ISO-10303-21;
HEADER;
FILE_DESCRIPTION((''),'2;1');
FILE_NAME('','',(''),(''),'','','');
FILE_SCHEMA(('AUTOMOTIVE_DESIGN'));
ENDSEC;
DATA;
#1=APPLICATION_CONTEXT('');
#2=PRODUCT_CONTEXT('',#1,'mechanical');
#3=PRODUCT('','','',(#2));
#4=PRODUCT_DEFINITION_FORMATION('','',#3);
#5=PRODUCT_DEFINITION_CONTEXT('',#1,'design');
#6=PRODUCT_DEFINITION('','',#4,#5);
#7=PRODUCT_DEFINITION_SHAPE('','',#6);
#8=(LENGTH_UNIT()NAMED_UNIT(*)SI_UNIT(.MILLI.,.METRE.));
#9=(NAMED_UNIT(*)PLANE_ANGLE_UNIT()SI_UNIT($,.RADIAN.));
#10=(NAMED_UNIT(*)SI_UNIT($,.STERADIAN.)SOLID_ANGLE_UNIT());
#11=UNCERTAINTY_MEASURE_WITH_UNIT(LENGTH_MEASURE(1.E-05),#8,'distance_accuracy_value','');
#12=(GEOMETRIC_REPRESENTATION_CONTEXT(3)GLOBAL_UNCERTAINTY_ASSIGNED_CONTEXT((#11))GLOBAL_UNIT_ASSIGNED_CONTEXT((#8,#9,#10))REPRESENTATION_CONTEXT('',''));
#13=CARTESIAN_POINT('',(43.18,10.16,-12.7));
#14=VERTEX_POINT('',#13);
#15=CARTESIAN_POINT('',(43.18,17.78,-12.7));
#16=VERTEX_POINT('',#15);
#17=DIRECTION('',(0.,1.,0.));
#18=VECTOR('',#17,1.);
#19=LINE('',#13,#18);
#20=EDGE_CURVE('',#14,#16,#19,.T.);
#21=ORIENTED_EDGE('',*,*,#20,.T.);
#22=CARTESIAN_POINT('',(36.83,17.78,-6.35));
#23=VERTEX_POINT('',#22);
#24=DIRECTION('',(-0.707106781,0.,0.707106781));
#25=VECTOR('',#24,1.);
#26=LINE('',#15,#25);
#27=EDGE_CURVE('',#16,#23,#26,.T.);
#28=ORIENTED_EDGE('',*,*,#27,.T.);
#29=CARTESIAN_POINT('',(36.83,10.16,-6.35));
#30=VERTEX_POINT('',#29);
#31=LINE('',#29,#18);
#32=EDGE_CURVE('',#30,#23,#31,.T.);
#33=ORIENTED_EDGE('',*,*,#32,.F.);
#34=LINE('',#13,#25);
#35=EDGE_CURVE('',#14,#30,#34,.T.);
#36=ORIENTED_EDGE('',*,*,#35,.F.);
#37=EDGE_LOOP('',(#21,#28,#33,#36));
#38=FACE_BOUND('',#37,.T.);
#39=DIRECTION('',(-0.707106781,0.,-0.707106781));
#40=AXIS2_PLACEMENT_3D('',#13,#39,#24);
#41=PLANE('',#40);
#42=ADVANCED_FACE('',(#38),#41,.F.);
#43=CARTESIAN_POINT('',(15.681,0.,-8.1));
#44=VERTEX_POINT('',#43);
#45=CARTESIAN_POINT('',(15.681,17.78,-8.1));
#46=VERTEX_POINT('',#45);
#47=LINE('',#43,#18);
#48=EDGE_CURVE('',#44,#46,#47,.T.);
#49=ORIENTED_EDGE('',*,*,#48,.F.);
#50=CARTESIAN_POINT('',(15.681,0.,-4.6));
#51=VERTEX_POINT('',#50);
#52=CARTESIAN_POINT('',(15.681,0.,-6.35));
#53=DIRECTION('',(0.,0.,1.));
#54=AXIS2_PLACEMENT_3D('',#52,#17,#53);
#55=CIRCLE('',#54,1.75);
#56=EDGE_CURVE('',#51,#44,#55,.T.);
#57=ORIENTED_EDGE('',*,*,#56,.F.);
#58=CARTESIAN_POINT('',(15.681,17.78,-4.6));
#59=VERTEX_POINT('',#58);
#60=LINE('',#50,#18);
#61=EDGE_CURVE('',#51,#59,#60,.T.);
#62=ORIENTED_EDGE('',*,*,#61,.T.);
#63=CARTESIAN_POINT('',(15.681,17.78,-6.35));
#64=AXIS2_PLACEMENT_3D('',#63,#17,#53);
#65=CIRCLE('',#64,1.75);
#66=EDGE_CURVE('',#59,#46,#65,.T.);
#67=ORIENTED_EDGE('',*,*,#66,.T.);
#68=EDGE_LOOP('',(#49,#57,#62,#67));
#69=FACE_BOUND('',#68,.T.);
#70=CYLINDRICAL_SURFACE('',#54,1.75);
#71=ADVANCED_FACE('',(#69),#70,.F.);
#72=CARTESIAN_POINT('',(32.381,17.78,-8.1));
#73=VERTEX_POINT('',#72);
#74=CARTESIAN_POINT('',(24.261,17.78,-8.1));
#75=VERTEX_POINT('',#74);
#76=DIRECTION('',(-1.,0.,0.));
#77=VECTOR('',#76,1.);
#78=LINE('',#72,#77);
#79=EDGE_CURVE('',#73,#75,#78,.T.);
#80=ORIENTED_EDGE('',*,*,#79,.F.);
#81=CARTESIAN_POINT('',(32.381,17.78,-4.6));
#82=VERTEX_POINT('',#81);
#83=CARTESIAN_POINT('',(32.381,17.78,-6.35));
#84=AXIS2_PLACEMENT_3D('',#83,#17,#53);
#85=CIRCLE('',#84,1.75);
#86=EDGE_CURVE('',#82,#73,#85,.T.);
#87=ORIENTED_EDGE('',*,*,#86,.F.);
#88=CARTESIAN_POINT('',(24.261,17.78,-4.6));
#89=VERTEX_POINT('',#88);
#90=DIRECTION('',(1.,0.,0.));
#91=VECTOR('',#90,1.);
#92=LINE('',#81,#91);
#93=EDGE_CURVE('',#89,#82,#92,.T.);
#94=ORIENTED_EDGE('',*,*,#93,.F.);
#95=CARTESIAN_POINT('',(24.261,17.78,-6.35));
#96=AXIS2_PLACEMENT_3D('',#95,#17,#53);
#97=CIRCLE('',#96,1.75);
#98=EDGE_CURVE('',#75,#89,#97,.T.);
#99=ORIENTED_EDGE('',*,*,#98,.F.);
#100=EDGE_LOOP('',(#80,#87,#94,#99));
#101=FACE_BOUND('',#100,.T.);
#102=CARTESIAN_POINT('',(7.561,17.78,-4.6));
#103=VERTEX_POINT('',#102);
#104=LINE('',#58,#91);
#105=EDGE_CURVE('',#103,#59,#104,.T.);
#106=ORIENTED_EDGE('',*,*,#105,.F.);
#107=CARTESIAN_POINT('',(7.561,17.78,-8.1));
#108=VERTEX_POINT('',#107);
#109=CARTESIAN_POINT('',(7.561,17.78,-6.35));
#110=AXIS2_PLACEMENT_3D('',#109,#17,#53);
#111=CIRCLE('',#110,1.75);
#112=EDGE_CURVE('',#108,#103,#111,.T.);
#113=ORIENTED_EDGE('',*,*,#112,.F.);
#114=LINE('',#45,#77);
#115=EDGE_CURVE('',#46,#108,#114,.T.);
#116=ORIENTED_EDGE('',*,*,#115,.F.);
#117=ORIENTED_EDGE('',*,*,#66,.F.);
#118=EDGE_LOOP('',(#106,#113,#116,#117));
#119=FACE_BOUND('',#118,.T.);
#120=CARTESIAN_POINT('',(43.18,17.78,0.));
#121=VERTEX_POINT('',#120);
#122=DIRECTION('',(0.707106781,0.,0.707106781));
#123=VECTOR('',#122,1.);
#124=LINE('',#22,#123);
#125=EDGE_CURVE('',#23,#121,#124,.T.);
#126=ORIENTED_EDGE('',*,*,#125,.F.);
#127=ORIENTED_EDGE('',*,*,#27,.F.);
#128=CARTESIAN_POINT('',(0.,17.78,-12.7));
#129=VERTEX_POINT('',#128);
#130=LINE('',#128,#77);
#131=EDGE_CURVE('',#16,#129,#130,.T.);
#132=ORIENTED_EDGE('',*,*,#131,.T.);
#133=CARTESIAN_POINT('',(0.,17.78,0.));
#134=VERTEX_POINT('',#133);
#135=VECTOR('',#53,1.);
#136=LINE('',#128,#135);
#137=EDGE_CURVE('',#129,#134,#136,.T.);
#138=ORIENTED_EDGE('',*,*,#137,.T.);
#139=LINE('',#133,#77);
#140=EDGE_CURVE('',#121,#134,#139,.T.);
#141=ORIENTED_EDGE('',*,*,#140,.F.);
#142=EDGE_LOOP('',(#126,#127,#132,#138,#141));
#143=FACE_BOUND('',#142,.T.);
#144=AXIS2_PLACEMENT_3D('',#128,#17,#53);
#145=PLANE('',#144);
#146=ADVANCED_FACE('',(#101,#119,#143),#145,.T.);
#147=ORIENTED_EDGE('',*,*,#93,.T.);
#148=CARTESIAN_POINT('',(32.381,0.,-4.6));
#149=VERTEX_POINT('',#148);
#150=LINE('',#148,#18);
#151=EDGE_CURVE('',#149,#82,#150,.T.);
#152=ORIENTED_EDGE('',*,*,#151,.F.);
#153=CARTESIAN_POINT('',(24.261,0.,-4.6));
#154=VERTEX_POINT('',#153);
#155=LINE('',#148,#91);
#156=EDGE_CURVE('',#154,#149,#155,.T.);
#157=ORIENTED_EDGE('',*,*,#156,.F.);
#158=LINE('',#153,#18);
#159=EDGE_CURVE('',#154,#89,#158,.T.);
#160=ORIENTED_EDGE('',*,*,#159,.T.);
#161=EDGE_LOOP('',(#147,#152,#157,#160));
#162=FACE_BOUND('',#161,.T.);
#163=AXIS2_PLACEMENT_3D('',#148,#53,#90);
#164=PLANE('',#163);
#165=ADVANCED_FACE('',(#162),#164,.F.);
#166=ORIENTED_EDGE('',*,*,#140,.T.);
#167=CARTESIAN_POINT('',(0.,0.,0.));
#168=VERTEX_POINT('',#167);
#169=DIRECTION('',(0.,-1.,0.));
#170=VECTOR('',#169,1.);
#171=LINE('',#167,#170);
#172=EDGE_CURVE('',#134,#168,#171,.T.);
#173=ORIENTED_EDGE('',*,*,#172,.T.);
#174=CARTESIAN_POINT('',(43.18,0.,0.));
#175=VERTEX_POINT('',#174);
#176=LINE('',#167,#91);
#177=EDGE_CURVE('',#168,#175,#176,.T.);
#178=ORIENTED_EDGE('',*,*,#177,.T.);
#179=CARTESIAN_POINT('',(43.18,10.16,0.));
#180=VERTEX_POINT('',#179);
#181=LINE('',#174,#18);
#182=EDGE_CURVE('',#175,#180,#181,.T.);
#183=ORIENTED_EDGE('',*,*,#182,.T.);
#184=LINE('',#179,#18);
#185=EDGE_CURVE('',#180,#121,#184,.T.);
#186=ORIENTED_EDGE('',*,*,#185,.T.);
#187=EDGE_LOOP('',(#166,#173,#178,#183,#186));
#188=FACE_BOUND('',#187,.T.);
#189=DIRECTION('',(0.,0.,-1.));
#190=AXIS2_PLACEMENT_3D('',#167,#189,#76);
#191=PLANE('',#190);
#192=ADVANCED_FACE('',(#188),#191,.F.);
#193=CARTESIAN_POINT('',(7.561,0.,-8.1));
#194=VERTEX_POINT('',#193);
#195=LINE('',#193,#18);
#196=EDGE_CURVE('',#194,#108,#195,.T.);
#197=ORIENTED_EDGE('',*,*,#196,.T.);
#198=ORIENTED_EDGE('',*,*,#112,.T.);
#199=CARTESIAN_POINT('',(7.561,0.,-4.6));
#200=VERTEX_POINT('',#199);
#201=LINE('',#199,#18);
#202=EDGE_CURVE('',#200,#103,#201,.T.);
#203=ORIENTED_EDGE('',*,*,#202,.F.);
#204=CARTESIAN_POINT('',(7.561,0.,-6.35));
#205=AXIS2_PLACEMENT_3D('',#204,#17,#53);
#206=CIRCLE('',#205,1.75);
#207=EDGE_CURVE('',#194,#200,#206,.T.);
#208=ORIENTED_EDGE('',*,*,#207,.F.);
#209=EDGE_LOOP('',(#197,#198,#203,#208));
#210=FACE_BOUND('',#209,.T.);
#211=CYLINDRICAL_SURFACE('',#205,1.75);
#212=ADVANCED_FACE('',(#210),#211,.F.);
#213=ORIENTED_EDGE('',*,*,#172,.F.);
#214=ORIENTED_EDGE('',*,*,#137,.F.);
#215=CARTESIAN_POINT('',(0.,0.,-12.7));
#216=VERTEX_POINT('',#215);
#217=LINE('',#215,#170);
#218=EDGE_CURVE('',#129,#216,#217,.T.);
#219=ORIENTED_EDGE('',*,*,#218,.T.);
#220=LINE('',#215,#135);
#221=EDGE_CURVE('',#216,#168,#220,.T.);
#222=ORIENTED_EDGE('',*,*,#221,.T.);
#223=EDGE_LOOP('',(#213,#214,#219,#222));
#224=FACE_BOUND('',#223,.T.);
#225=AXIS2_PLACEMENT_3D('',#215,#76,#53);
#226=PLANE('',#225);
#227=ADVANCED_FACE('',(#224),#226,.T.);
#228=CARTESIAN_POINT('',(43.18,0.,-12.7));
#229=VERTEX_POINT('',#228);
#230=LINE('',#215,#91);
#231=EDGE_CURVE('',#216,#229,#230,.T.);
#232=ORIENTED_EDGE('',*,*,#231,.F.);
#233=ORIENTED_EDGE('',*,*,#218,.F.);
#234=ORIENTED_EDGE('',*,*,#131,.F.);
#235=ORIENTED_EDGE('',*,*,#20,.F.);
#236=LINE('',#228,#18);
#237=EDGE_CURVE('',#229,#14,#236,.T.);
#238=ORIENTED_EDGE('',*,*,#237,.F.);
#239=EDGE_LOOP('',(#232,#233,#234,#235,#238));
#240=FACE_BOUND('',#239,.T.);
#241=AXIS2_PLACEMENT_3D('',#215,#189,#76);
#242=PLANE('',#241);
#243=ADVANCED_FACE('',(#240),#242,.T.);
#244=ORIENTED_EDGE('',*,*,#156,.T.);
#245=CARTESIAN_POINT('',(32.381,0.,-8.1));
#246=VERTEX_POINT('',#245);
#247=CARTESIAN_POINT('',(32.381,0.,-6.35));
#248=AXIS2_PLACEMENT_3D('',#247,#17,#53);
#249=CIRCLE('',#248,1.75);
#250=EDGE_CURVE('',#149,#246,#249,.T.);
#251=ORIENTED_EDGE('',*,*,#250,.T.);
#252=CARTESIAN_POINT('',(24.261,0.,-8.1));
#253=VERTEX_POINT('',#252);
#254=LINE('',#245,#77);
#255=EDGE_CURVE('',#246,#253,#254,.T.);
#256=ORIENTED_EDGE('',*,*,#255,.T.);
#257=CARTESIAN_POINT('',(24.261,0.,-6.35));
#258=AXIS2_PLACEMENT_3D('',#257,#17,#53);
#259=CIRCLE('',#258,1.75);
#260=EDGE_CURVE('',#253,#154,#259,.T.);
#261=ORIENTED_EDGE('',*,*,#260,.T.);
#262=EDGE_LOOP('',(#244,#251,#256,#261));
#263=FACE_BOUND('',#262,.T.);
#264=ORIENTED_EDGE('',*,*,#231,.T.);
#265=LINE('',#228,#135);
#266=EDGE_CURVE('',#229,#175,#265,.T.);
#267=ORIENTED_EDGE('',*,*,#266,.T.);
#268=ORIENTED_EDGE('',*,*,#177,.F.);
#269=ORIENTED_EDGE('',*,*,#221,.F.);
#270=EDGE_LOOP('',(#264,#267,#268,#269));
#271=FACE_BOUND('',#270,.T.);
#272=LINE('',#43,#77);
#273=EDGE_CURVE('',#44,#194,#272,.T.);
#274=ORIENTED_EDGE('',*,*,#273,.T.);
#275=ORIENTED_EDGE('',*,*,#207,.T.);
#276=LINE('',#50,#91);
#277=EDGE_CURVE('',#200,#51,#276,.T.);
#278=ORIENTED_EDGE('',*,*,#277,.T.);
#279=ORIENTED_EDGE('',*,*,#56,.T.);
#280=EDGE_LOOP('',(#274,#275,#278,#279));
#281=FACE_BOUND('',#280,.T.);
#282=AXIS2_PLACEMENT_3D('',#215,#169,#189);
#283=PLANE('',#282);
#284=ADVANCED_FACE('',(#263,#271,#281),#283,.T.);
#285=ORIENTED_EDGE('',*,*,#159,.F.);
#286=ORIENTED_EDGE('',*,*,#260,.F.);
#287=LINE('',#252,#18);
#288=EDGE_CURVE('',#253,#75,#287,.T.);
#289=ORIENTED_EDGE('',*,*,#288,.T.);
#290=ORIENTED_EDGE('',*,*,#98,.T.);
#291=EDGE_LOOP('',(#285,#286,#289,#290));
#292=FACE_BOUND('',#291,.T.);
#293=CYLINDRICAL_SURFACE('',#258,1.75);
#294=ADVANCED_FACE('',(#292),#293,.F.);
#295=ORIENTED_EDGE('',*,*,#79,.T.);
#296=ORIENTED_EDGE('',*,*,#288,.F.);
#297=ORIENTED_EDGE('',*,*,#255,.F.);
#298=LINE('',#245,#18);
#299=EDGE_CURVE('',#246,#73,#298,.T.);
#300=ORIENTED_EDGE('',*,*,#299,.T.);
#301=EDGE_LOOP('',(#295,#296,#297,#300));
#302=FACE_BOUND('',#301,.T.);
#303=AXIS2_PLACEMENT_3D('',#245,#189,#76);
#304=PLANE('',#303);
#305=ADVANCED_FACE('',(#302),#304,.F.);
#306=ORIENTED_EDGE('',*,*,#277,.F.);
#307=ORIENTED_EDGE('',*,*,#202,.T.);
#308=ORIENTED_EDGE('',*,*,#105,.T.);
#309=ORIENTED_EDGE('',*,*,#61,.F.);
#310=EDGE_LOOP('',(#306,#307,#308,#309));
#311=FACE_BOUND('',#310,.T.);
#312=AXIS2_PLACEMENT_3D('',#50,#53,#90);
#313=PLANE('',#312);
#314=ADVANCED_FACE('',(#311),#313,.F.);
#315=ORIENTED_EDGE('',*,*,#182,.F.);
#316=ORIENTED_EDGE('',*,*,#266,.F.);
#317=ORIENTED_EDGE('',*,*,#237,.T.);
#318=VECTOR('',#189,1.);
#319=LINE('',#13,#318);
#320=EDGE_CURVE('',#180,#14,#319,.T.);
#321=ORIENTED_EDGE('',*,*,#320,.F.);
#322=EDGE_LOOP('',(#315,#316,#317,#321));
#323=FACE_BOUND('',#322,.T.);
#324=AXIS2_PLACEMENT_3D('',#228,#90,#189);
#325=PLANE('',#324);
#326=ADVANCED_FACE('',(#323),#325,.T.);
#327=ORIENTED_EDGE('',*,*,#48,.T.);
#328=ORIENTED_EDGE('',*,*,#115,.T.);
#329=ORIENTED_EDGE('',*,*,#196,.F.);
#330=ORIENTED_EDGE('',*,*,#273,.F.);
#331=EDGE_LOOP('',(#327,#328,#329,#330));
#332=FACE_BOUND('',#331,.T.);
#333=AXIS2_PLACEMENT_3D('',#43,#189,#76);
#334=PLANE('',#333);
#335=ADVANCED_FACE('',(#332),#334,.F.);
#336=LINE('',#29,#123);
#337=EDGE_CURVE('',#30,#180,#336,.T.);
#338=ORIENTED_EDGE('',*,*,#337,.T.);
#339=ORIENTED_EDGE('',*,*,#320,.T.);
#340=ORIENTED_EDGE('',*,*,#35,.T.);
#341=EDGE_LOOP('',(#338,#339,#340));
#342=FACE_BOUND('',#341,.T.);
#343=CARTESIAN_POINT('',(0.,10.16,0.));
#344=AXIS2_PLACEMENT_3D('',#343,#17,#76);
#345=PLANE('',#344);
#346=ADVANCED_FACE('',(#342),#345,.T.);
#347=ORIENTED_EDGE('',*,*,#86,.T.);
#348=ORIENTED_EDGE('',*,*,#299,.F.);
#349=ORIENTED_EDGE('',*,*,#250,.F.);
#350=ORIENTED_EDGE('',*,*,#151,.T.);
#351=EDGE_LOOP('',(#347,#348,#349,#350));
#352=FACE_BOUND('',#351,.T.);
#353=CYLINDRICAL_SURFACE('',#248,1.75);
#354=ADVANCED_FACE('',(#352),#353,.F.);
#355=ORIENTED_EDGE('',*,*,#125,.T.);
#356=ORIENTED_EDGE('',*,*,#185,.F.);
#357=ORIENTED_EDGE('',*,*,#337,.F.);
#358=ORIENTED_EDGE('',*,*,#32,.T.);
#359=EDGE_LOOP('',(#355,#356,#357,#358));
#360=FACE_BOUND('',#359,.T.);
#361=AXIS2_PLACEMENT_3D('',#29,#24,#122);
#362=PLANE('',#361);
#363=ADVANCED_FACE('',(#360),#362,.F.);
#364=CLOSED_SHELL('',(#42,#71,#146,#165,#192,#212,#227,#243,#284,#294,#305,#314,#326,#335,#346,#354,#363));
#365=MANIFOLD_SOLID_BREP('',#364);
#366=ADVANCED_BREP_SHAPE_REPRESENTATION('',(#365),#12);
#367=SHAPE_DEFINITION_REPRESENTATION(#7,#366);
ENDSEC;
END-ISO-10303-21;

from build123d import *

# Parameters (mm, degrees)
SKETCH1_W           = 43.18
SKETCH1_H           = 17.78
BOSS_EXTRUDE1_DEPTH = 12.7
CUT_EXTRUDE1_DEPTH  = 7.62
CUT_EXTRUDE2_DEPTH  = 18.78


with BuildPart() as part:
    # Sketch1 → Boss-Extrude1 (new body)
    with BuildSketch(Plane.XY):
        with Locations((21.59, 8.89)):
            Rectangle(SKETCH1_W, SKETCH1_H)
    extrude(amount=-BOSS_EXTRUDE1_DEPTH)

    # Sketch3 → Cut-Extrude1 (cut)
    with BuildSketch(Plane(origin=(0, 17.78, 0), x_dir=(1, 0, 0), z_dir=(0, 1, 0))):
        Polygon((43.18, 12.7), (36.83, 6.35), (43.18, 0), align=None)
    extrude(amount=-CUT_EXTRUDE1_DEPTH, mode=Mode.SUBTRACT)

    # Sketch4 → Cut-Extrude2 (cut, through all)
    with BuildSketch(Plane(origin=(0, 17.78, 0), x_dir=(1, 0, 0), z_dir=(0, 1, 0))):
        with BuildLine():
            Line((32.381000008, 4.599999944), (24.260999992, 4.599999944))
            ThreePointArc((24.260999992, 4.599999944), (22.510999936, 6.35), (24.260999992, 8.100000056))
            Line((24.260999992, 8.100000056), (32.381000008, 8.100000056))
            ThreePointArc((32.381000008, 8.100000056), (34.131000064, 6.35), (32.381000008, 4.599999944))
        make_face()
        with BuildLine():
            Line((15.68099988, 4.599999944), (7.560999864, 4.599999944))
            ThreePointArc((7.560999864, 4.599999944), (5.810999808, 6.35), (7.560999864, 8.100000056))
            Line((7.560999864, 8.100000056), (15.68099988, 8.100000056))
            ThreePointArc((15.68099988, 8.100000056), (17.430999936, 6.35), (15.68099988, 4.599999944))
        make_face()
    extrude(amount=-CUT_EXTRUDE2_DEPTH, mode=Mode.SUBTRACT)


solid = part.part
